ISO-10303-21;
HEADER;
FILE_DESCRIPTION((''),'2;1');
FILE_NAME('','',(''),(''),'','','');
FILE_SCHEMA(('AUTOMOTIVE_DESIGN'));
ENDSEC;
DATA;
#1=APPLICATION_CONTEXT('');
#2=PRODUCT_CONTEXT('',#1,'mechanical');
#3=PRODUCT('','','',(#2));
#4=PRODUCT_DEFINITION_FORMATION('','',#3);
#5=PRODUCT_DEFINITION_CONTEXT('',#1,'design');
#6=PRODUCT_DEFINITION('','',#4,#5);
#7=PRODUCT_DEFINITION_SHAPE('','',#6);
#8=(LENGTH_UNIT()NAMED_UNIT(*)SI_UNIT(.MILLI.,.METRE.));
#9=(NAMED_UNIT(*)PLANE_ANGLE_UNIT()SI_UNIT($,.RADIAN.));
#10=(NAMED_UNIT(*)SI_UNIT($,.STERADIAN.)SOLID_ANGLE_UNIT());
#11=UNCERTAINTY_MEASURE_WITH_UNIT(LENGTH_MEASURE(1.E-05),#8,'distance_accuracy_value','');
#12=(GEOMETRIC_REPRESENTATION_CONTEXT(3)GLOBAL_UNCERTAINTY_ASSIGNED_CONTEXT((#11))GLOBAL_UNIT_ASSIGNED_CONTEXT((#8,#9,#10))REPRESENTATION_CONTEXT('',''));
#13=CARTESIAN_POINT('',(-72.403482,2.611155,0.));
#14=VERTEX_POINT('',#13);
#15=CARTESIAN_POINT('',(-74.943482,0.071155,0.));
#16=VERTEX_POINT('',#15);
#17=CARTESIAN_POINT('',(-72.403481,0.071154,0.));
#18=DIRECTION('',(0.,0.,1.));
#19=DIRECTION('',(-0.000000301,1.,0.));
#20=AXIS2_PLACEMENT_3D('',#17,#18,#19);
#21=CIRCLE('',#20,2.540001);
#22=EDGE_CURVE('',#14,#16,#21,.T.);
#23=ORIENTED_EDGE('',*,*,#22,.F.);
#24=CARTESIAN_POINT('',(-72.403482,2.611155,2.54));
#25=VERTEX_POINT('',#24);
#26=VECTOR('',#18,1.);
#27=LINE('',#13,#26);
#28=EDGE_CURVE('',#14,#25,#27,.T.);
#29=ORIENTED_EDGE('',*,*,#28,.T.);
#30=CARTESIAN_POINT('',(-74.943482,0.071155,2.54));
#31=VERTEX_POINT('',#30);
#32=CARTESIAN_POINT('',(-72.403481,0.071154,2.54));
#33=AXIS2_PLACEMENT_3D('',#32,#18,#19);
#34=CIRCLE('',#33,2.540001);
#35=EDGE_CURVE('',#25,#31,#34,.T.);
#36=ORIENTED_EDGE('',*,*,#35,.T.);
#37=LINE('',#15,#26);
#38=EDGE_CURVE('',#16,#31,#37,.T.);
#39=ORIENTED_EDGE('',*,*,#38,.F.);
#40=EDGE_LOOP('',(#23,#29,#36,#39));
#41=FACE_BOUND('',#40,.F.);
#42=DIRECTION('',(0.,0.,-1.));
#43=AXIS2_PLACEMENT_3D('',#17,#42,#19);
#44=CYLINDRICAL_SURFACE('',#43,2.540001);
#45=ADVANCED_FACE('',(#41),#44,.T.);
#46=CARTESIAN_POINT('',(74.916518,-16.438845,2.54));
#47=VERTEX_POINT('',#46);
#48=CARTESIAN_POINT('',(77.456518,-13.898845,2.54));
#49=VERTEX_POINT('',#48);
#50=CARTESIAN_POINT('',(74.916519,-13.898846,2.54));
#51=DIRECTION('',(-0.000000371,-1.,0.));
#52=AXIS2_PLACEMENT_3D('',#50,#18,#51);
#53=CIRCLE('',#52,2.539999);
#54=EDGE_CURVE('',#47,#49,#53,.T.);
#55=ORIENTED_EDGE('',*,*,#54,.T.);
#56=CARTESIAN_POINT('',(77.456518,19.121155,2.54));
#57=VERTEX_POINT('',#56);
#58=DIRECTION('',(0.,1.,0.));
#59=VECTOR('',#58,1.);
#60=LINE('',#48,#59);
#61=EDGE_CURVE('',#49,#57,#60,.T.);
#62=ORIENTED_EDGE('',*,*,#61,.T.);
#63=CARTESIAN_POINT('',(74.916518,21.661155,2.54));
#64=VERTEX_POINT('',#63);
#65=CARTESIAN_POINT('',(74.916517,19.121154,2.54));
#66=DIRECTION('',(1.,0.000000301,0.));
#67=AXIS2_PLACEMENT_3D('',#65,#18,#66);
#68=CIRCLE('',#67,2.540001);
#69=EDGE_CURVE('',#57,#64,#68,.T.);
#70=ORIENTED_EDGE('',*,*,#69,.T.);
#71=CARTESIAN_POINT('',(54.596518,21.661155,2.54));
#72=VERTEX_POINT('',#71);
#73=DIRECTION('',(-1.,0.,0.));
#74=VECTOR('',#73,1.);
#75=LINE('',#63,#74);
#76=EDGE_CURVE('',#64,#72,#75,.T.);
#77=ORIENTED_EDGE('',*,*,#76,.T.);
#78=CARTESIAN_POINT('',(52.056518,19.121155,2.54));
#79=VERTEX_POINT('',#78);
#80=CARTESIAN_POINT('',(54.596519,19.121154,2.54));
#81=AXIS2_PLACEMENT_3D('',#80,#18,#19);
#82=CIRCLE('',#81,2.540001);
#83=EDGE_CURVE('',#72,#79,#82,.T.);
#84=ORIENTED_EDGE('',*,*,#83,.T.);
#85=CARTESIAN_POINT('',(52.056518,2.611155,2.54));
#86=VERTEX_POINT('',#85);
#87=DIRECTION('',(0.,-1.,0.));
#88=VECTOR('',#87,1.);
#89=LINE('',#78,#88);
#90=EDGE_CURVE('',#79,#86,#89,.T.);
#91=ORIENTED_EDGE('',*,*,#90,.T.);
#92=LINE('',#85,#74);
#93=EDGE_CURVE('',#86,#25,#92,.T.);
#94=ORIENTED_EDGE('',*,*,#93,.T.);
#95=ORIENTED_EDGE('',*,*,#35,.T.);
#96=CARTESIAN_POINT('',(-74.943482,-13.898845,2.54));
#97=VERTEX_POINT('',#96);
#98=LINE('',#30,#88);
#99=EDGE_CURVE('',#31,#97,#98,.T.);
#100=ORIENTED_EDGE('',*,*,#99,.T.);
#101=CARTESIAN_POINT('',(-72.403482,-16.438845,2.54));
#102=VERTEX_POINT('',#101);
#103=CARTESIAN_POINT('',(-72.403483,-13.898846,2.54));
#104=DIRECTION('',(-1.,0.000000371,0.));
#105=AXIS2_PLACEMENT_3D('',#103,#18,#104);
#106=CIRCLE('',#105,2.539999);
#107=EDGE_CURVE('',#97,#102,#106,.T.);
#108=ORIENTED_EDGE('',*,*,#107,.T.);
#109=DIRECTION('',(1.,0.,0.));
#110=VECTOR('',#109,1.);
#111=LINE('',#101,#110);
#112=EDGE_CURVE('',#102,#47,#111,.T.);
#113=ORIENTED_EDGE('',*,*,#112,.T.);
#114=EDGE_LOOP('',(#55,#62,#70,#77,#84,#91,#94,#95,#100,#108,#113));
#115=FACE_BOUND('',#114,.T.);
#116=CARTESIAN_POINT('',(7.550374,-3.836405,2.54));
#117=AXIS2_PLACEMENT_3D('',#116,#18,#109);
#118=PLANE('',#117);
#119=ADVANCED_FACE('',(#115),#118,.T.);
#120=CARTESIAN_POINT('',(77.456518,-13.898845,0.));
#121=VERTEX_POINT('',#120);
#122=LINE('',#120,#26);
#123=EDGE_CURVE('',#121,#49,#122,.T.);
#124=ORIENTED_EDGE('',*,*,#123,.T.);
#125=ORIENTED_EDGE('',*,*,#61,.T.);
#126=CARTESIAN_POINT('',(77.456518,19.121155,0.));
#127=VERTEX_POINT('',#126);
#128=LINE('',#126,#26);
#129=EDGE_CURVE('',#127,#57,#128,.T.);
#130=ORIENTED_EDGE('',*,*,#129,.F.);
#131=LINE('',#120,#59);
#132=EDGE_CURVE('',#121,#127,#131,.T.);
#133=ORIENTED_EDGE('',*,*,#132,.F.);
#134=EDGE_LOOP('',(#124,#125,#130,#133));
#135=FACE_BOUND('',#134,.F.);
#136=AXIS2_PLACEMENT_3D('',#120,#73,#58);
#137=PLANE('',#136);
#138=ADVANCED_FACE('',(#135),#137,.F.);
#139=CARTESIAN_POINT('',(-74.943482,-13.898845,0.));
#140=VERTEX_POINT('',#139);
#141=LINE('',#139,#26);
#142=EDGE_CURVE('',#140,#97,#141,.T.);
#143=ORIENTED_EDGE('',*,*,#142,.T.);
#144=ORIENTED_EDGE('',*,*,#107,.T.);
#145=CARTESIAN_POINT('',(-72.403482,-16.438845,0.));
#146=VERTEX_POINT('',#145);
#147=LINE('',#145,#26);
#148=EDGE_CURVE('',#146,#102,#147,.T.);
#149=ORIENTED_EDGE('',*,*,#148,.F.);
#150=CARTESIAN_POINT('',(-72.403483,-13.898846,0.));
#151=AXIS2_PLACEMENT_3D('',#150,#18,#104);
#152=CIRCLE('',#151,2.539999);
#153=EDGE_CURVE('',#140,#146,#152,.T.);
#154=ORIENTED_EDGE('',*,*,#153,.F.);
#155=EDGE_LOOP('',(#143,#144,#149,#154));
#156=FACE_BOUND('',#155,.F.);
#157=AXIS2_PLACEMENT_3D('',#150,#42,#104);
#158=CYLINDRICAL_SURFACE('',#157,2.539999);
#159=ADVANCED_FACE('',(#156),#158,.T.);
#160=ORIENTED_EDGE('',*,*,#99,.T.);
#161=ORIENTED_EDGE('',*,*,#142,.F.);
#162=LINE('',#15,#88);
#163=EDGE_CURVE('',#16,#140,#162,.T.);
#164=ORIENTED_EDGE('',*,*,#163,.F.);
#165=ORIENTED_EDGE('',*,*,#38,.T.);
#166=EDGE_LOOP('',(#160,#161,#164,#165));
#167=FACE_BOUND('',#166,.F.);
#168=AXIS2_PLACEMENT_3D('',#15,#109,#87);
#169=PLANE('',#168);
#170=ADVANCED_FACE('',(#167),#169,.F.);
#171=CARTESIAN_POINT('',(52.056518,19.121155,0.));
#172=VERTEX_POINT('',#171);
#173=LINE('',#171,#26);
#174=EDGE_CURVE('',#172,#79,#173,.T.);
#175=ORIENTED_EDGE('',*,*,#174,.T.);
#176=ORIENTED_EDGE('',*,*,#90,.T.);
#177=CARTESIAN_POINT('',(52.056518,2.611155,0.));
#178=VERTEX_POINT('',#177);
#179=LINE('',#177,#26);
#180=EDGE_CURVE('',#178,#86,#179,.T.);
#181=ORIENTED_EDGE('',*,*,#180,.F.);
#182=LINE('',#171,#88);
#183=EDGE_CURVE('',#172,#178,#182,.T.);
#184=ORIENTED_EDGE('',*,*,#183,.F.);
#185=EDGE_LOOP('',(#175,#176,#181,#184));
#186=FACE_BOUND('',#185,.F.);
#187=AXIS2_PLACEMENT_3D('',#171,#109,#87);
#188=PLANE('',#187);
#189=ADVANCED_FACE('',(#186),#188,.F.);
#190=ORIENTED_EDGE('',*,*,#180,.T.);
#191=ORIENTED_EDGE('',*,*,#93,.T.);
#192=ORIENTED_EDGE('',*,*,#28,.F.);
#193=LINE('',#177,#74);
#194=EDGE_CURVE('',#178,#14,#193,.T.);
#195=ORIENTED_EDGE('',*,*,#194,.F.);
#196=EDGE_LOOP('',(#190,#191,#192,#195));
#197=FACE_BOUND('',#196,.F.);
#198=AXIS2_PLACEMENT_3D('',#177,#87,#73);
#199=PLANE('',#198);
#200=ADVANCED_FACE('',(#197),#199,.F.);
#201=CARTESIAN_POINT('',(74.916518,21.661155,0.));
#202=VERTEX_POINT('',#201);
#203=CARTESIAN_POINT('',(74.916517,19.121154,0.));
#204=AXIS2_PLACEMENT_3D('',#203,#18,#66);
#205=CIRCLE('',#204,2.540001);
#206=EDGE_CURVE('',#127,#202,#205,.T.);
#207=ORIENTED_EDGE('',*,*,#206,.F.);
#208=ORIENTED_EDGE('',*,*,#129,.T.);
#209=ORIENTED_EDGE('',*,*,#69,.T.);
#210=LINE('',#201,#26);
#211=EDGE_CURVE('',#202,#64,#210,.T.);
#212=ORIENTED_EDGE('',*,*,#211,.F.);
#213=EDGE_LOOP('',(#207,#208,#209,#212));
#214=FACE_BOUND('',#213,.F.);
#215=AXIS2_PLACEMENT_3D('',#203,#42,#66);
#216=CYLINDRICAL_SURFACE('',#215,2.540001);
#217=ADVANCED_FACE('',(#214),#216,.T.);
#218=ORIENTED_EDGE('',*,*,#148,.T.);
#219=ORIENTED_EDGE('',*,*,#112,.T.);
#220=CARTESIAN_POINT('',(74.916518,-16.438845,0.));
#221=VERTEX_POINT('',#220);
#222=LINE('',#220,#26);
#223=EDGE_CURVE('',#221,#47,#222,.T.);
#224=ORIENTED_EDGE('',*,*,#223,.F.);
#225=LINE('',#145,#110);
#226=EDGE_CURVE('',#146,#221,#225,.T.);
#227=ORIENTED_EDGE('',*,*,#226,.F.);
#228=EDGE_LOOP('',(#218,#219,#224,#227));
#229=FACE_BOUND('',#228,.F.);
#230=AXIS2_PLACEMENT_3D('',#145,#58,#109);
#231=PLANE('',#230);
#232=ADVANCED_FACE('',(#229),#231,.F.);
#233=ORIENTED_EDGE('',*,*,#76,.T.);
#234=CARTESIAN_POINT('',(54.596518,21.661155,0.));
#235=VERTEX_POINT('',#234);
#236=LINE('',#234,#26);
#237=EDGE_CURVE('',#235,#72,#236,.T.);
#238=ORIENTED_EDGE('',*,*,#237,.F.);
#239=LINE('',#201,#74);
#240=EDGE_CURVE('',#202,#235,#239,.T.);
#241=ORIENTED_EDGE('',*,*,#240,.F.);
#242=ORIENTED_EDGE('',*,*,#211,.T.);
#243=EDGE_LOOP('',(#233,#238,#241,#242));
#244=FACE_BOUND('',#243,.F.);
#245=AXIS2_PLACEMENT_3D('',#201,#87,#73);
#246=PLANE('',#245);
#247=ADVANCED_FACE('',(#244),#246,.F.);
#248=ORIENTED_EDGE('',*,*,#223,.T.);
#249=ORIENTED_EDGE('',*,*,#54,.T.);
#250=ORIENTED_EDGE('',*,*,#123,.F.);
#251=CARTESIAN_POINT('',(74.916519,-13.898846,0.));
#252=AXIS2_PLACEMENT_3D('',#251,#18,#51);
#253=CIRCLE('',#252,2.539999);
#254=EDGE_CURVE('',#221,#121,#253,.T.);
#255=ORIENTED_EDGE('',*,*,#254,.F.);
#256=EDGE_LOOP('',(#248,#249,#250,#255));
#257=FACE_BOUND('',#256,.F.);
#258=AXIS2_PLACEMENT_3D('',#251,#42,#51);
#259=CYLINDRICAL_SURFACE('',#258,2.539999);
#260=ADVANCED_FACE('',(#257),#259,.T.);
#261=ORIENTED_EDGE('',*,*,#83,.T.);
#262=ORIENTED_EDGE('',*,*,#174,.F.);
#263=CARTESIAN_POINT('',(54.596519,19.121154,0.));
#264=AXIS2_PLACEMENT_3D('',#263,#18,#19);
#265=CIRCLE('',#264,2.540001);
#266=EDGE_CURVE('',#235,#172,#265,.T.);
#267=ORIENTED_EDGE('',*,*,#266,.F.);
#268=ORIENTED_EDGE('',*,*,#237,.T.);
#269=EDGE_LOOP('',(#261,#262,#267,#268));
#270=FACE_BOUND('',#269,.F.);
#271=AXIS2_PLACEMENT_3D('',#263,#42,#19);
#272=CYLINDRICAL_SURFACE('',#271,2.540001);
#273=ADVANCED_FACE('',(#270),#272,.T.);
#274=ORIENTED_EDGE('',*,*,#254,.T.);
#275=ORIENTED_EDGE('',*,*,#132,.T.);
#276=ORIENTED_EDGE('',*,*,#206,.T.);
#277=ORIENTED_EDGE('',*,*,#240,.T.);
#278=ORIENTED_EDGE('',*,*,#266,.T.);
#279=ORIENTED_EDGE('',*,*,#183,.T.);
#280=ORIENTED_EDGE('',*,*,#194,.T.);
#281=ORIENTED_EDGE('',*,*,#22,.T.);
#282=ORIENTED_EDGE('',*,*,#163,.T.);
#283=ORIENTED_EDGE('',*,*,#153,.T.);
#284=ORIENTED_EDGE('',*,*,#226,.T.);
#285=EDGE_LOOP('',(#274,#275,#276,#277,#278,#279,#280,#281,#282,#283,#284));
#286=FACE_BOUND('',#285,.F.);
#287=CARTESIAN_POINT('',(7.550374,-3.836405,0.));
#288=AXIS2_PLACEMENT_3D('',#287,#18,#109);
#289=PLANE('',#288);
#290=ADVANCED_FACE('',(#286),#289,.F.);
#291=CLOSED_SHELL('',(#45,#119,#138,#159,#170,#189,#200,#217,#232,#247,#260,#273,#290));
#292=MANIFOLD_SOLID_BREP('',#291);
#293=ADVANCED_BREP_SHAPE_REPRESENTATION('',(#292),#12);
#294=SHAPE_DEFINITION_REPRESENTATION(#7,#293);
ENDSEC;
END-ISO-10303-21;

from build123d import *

# Parameters (mm, degrees)
F1_DEPTH = 2.54


with BuildPart() as f1:
    # F0 (on Top) → F1 (new body)
    with BuildSketch(Plane.XY):
        with BuildLine():
            Line((52.056518, 2.611155), (-72.403482, 2.611155))
            ThreePointArc((-72.403482, 2.611155), (-74.199533, 1.867206), (-74.943482, 0.071155))
            Line((-74.943482, 0.071155), (-74.943482, -13.898845))
            ThreePointArc((-74.943482, -13.898845), (-74.199533, -15.694897), (-72.403482, -16.438845))
            Line((-72.403482, -16.438845), (74.916518, -16.438845))
            ThreePointArc((74.916518, -16.438845), (76.712569, -15.694897), (77.456518, -13.898845))
            Line((77.456518, -13.898845), (77.456518, 2.611155))
            Line((77.456518, 2.611155), (77.456518, 19.121155))
            ThreePointArc((77.456518, 19.121155), (76.712569, 20.917206), (74.916518, 21.661155))
            Line((74.916518, 21.661155), (54.596518, 21.661155))
            ThreePointArc((54.596518, 21.661155), (52.800467, 20.917206), (52.056518, 19.121155))
            Line((52.056518, 19.121155), (52.056518, 2.611155))
        make_face()
    extrude(amount=F1_DEPTH)


solid = f1.part
